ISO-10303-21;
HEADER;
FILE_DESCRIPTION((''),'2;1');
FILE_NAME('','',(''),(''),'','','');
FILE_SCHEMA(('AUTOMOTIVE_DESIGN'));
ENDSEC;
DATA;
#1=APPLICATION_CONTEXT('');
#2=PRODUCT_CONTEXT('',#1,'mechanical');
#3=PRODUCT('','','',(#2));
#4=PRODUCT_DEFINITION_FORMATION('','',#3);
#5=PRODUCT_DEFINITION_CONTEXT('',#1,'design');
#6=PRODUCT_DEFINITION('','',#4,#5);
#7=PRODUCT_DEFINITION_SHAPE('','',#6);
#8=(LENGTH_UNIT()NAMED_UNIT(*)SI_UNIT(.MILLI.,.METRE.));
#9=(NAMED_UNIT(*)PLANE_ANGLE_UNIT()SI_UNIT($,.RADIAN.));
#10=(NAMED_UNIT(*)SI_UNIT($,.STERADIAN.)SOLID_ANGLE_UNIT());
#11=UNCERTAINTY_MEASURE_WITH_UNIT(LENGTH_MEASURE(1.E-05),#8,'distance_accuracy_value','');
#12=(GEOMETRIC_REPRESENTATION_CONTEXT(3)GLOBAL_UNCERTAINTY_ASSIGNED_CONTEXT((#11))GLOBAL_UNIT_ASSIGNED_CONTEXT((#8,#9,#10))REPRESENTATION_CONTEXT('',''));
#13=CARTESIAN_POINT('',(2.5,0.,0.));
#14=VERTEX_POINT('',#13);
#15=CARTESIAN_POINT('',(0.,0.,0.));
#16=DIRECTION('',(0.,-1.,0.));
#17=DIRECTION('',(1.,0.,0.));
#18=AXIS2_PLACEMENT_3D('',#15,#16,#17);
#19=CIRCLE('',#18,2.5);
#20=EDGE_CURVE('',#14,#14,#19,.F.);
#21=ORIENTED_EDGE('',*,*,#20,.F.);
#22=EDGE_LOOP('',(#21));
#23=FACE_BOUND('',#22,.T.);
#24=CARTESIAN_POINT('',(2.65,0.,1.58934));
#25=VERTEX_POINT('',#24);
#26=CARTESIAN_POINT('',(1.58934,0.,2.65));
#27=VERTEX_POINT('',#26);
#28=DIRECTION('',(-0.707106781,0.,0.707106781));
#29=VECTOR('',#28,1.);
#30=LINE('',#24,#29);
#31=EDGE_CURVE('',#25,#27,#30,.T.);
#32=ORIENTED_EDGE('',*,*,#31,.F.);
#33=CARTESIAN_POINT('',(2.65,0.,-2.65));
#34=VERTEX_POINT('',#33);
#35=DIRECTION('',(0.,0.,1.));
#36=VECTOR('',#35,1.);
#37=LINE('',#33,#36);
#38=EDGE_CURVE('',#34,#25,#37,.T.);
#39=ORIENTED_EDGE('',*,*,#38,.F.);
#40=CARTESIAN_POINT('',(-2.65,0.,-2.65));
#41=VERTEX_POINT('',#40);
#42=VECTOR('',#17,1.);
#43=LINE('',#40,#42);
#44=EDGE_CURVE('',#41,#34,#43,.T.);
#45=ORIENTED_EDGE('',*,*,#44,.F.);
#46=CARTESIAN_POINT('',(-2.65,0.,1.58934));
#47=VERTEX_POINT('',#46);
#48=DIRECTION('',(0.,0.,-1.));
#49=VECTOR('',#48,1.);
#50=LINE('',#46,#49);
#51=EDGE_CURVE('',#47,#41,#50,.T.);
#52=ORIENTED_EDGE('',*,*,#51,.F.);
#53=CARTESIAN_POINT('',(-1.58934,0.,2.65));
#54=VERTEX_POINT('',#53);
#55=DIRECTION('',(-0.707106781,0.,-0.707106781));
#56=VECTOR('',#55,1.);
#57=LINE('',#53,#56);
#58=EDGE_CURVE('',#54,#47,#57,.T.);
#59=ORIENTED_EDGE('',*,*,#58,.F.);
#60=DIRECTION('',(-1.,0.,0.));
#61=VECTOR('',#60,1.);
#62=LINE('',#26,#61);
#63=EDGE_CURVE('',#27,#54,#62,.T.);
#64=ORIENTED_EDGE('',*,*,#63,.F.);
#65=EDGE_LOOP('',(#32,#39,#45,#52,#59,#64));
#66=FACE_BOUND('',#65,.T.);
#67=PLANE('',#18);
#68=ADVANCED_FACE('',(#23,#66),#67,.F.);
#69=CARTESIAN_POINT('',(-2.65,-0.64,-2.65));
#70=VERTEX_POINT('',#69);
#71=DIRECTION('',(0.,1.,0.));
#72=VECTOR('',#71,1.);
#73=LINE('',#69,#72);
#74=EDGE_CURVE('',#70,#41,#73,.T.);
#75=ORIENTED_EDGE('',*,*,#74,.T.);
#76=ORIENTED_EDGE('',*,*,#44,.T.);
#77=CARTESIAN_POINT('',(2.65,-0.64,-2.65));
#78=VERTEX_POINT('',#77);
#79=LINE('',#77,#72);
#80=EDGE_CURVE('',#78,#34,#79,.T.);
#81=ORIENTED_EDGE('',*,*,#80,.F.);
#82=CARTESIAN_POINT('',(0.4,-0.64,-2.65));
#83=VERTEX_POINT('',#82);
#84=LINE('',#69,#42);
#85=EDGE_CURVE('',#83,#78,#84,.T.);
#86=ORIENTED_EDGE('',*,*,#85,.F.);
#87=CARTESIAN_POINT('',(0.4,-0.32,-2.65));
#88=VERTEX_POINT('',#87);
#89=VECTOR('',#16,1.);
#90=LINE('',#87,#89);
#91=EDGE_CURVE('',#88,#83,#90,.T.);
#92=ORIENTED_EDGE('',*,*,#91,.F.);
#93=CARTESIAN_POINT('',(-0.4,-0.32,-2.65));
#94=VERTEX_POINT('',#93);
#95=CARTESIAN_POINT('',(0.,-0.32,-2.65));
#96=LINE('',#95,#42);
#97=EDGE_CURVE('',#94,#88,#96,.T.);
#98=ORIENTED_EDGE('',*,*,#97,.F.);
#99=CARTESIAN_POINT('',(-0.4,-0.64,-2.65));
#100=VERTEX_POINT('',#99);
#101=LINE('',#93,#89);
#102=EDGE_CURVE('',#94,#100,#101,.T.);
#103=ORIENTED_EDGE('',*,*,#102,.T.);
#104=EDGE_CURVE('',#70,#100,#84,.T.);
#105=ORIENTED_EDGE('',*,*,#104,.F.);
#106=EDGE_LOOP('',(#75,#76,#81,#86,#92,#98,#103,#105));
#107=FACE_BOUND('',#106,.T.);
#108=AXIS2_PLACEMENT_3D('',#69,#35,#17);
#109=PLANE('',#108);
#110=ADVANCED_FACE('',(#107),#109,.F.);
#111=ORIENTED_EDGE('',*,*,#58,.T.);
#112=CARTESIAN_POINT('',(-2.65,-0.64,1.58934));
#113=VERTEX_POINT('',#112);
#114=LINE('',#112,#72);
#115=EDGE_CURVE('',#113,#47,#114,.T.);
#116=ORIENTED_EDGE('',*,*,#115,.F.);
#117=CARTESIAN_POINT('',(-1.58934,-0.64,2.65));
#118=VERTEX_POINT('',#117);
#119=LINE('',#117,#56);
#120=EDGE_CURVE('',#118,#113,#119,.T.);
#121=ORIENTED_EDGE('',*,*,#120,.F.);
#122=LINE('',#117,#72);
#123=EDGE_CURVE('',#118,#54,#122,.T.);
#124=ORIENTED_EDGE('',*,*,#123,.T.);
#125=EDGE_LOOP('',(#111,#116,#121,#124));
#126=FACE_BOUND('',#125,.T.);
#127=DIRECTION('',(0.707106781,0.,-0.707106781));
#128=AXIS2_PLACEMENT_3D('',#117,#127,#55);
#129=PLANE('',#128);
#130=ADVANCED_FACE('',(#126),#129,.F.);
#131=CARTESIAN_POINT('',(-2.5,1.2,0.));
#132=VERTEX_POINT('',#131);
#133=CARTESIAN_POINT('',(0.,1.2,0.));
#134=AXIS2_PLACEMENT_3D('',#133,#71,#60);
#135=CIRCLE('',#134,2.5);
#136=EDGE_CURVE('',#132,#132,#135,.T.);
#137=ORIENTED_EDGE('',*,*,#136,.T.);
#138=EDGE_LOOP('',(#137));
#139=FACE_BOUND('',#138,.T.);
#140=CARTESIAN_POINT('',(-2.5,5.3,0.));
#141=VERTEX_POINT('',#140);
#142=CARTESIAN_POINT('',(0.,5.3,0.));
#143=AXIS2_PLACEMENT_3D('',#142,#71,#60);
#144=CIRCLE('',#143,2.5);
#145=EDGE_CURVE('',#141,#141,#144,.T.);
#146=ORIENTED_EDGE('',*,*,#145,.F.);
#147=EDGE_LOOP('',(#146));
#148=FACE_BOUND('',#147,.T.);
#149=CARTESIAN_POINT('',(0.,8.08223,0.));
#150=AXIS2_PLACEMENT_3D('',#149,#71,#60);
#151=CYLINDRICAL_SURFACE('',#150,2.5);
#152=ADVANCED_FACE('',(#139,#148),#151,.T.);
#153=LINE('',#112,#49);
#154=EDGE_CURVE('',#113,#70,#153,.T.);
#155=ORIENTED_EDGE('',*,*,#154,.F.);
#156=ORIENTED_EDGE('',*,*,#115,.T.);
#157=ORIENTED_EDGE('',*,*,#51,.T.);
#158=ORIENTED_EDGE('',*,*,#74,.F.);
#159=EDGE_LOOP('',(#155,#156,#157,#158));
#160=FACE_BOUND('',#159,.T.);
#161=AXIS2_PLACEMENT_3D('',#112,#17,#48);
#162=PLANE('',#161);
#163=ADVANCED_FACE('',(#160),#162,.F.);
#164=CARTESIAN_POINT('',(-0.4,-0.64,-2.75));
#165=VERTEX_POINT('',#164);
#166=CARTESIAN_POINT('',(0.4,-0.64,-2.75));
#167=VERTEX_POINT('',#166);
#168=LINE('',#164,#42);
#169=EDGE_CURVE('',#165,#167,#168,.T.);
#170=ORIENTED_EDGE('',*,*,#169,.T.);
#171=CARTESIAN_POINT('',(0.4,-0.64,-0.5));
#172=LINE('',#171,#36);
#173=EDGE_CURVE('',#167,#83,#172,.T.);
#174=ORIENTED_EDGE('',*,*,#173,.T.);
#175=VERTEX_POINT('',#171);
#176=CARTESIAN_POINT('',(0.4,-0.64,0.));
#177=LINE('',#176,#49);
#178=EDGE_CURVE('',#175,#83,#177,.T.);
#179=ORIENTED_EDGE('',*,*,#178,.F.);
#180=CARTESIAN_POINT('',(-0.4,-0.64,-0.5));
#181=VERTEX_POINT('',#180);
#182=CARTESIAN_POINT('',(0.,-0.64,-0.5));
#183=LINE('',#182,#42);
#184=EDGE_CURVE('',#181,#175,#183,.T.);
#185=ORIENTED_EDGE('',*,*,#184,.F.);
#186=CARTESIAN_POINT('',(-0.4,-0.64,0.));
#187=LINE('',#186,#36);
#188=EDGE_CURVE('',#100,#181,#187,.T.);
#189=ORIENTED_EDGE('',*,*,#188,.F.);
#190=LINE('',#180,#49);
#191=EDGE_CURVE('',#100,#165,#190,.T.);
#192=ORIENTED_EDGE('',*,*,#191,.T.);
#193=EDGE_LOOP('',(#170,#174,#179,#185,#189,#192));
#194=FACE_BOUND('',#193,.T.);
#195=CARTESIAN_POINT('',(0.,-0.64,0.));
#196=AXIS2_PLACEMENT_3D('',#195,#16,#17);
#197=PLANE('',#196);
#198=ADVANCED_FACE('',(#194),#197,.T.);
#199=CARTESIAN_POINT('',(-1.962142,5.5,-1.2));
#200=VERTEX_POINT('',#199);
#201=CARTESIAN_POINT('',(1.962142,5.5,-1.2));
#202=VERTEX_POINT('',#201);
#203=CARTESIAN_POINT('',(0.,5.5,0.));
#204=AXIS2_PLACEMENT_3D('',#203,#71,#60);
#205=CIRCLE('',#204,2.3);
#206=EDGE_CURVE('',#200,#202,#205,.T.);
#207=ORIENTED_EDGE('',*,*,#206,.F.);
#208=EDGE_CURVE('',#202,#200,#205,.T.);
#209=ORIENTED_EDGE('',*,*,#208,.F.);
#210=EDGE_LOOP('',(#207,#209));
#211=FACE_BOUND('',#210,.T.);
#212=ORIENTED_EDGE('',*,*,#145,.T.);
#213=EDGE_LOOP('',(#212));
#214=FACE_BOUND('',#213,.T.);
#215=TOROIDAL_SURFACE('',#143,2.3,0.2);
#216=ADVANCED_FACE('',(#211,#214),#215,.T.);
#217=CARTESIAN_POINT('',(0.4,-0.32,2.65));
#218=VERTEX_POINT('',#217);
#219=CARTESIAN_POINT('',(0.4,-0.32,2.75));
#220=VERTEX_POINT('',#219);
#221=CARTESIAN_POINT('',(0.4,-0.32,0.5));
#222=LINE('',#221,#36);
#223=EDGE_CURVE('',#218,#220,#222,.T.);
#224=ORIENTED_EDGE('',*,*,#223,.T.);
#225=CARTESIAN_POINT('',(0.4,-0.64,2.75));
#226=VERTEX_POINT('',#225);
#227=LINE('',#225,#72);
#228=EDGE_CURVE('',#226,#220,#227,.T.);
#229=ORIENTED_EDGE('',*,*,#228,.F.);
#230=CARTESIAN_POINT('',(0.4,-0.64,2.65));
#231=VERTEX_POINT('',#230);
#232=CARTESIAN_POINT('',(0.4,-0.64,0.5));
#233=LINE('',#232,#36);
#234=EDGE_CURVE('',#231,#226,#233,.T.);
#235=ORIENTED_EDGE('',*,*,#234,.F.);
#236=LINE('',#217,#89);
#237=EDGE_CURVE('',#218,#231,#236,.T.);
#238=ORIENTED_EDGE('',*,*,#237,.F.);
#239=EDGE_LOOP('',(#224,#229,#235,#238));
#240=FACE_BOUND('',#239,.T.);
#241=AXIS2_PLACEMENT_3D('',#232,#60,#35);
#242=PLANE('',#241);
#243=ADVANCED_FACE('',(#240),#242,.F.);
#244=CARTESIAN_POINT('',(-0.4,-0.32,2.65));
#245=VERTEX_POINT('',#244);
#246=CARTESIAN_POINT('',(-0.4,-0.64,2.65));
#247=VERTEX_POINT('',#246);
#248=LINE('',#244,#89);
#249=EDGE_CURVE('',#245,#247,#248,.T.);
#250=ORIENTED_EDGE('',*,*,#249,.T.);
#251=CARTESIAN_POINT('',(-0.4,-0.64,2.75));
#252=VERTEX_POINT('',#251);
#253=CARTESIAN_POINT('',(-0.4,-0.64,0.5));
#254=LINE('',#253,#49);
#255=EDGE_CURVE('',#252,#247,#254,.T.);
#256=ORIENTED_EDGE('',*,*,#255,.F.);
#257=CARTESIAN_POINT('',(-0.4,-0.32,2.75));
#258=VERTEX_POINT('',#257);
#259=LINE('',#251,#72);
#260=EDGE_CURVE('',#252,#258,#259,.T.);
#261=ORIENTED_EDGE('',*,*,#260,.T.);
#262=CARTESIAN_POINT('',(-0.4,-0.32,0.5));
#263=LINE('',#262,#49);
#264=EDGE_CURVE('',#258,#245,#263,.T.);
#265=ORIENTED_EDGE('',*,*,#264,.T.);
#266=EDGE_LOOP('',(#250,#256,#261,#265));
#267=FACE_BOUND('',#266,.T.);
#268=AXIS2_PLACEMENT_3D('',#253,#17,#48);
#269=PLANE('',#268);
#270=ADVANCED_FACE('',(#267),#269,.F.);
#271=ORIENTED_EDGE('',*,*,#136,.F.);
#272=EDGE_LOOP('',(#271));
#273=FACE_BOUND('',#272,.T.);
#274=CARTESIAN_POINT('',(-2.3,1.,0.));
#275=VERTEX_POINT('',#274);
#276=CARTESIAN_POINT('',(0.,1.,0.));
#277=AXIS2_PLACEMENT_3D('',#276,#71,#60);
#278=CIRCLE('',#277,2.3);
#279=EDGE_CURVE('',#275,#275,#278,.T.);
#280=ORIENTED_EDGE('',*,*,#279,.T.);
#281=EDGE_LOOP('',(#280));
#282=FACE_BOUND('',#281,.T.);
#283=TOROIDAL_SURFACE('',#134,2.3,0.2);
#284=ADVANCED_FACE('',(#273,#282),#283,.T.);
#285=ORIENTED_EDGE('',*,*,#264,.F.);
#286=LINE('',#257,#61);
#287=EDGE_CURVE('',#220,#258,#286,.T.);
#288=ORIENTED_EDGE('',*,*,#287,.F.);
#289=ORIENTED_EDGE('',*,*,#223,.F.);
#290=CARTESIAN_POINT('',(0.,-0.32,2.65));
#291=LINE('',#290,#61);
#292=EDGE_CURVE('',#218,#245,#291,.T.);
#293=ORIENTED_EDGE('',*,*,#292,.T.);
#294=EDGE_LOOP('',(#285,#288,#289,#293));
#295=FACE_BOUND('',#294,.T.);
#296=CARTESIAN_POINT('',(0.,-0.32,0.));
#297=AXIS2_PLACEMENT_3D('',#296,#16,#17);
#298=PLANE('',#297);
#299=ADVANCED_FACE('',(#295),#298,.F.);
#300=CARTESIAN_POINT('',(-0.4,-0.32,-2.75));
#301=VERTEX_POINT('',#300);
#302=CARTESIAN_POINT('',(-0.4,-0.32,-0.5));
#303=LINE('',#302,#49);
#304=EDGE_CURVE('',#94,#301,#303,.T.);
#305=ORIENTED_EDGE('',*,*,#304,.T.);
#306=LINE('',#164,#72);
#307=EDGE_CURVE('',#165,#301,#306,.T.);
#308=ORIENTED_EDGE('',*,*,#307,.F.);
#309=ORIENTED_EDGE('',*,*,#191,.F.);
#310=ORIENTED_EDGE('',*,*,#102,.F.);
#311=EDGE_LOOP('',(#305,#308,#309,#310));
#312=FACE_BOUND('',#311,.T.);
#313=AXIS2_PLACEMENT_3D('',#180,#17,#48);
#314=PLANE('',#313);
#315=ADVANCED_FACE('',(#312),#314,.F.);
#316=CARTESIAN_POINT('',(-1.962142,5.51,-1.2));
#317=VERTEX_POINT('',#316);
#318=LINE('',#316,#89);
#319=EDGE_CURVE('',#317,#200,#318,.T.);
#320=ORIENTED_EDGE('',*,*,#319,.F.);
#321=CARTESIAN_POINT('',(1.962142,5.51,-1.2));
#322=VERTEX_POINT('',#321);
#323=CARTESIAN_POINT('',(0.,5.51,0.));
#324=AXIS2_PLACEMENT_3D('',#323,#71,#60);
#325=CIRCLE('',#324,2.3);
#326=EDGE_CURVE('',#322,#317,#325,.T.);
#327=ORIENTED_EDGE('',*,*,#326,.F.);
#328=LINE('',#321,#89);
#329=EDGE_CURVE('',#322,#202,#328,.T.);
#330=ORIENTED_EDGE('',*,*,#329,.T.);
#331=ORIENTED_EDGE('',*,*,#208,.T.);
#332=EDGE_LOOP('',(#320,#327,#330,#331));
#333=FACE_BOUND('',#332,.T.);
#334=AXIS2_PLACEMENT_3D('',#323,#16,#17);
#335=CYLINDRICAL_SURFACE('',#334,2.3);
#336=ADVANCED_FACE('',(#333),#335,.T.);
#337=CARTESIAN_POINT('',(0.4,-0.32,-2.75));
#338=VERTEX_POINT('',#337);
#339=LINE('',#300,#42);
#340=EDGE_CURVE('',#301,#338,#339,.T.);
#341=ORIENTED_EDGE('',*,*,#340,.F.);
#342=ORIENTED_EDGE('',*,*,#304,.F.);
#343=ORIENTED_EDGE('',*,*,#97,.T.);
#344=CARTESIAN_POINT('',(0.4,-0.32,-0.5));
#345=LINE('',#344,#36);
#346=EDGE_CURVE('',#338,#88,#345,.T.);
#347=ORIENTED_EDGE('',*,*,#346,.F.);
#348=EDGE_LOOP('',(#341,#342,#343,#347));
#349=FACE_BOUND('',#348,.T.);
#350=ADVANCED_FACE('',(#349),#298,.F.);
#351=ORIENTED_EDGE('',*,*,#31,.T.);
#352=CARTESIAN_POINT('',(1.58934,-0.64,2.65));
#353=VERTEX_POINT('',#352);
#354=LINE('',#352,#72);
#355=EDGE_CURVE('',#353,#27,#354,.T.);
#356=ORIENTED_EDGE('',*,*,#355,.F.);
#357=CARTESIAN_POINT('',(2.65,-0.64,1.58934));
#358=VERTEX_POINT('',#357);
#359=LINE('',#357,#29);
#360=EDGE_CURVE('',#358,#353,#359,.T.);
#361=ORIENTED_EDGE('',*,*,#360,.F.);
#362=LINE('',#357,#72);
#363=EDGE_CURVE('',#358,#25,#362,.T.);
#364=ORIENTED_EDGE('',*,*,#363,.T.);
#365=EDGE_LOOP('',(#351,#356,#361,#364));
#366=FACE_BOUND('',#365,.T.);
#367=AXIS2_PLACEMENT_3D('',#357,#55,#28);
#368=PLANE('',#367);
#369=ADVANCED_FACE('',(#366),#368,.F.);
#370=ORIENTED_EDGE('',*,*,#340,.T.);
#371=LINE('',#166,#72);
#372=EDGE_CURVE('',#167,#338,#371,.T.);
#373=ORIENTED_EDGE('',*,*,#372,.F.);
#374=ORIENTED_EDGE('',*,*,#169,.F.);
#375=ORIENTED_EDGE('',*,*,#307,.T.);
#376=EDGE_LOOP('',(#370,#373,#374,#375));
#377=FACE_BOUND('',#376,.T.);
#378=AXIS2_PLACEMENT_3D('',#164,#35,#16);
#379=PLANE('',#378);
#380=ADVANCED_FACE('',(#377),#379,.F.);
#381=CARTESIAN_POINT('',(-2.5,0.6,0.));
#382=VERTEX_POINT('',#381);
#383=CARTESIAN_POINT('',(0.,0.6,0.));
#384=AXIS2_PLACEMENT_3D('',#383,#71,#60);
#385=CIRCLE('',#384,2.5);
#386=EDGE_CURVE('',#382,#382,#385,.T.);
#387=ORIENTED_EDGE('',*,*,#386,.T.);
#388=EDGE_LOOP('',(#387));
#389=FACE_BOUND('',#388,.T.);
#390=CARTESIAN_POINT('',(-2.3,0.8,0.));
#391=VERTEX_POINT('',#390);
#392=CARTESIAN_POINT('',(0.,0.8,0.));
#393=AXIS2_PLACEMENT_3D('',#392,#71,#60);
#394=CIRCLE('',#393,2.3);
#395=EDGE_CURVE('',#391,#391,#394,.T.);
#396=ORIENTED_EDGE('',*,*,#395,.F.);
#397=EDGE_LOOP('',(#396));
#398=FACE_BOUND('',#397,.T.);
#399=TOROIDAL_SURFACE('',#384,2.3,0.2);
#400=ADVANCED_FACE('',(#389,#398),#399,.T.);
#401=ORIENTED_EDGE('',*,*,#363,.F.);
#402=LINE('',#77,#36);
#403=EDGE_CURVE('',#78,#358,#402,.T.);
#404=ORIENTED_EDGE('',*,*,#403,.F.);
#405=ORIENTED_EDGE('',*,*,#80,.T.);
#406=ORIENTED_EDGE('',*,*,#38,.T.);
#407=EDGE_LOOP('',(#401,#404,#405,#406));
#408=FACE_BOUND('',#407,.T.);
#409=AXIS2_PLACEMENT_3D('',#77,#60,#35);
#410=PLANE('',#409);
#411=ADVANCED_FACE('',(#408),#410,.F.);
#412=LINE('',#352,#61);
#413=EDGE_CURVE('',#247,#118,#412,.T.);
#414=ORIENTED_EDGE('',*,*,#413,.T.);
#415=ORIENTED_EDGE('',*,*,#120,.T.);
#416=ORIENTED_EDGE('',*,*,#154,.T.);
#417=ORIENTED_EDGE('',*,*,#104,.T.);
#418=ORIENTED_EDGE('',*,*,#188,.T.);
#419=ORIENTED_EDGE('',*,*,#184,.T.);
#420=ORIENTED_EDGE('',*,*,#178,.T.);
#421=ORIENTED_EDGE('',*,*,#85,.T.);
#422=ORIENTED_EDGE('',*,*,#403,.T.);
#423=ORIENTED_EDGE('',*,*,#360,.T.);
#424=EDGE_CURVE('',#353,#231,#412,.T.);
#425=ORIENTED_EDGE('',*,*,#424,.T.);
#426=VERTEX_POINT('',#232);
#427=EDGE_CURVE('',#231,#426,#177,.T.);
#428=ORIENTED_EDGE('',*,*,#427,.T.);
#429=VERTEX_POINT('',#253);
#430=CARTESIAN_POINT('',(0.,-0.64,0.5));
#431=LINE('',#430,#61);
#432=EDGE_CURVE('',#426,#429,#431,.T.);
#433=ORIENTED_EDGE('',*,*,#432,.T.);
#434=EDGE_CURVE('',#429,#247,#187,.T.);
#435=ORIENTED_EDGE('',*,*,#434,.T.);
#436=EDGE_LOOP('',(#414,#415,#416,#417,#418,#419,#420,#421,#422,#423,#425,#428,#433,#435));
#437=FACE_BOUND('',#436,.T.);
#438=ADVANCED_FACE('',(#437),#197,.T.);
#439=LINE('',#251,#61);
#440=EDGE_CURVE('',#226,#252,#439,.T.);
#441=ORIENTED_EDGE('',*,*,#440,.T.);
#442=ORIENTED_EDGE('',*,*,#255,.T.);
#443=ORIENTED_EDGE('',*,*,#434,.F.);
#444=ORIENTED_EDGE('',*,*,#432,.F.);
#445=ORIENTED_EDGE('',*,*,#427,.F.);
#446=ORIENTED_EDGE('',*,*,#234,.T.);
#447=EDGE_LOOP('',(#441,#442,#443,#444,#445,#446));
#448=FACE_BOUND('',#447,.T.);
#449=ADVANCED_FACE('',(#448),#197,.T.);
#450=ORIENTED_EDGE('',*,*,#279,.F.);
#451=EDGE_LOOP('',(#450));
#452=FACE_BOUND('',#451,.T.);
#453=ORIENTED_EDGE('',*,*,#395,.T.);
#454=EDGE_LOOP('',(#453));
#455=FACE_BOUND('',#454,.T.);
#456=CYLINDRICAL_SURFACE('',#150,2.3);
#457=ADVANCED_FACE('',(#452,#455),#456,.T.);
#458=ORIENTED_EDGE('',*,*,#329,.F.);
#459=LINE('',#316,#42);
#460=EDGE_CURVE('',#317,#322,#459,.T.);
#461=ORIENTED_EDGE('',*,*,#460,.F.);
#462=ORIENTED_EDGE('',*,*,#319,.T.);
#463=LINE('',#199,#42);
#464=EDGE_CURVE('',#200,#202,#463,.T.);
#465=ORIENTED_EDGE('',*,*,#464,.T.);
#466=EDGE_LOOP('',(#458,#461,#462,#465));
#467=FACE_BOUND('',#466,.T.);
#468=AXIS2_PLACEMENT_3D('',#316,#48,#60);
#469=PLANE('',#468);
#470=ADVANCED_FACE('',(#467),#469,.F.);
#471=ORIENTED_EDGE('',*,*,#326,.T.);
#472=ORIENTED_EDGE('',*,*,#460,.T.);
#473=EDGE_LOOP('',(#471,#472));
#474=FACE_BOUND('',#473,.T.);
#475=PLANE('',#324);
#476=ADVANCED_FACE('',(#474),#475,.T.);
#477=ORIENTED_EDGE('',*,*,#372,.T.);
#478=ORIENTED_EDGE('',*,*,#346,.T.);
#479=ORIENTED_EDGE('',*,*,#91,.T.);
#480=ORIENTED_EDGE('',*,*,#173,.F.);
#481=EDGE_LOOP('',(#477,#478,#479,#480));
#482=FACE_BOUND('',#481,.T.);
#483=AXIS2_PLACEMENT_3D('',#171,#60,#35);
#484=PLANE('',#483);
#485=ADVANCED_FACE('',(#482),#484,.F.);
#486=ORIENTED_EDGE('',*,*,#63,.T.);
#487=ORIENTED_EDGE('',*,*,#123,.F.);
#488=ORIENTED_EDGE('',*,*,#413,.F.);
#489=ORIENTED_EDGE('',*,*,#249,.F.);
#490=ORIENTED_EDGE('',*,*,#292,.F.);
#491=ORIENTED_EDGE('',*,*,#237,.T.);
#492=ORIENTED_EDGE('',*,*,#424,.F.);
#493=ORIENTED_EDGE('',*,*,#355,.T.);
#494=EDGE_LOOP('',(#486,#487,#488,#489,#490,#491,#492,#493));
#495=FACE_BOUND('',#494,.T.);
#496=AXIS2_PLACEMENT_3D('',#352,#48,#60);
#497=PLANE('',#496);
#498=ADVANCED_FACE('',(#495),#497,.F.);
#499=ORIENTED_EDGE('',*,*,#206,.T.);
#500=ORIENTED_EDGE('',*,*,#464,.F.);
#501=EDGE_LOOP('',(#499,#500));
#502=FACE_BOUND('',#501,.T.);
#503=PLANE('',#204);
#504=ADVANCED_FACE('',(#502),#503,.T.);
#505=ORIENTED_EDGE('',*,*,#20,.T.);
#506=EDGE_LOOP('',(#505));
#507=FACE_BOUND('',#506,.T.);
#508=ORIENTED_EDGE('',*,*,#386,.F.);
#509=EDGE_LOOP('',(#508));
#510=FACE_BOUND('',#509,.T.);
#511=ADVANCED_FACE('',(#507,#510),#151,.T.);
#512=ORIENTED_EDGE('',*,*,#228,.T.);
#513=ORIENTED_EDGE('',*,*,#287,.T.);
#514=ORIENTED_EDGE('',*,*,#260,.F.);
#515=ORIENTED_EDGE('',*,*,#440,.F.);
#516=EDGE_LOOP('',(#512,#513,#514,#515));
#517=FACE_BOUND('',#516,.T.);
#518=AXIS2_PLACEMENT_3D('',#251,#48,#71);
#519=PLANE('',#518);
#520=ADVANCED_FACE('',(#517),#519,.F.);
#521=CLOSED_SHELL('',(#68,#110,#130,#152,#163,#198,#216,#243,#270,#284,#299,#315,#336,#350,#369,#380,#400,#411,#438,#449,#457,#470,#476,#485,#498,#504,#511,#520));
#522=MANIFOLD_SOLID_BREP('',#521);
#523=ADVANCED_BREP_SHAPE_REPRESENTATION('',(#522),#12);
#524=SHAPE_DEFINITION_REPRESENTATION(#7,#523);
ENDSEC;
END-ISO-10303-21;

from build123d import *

# Parameters (mm, degrees)
BOSS_EXTRUDE1_DEPTH = 0.01
BOSS_EXTRUDE2_DEPTH = 0.64
CUT_EXTRUDE1_START  = 0.64
CUT_EXTRUDE1_DEPTH  = 0.32
SKETCH4_W           = 0.8
SKETCH4_H           = 2.25
BOSS_EXTRUDE3_DEPTH = 0.32


with BuildPart() as part:
    # Sketch1 → Revolve1 (revolve)
    with BuildSketch(Plane.XY):
        with BuildLine():
            Line((0, 5.5), (-2.3, 5.5))
            ThreePointArc((-2.3, 5.5), (-2.441421356, 5.441421356), (-2.5, 5.3))
            Line((-2.5, 5.3), (-2.5, 1.2))
            ThreePointArc((-2.5, 1.2), (-2.441421356, 1.058578644), (-2.3, 1))
            Line((-2.3, 1), (-2.3, 0.8))
            ThreePointArc((-2.3, 0.8), (-2.441421356, 0.741421356), (-2.5, 0.6))
            Line((-2.5, 0.6), (-2.5, 0))
            Line((-2.5, 0), (0, 0))
            Line((0, 0), (0, 5.5))
        make_face()
    revolve(axis=Axis((0, 8.082229881, 0), (0, -1, 0)))

    # Sketch2 → Boss-Extrude1 (add)
    with BuildSketch(Plane(origin=(0, 5.5, 0), x_dir=(1, 0, 0), z_dir=(0, 1, 0))):
        with BuildLine():
            Line((-1.962141687, 1.2), (1.962141687, 1.2))
            ThreePointArc((1.962141687, 1.2), (0, 2.3), (-1.962141687, 1.2))
        make_face()
    extrude(amount=BOSS_EXTRUDE1_DEPTH)

    # Sketch3 → Boss-Extrude2 (add)
    with BuildSketch(Plane(origin=(0, 0, 0), x_dir=(-1, 0, 0), z_dir=(0, -1, 0))):
        Polygon((1.589339828, -2.65), (2.65, -1.589339828), (2.65, 2.65), (-2.65, 2.65), (-2.65, -1.589339828), (-1.589339828, -2.65), align=None)
    extrude(amount=BOSS_EXTRUDE2_DEPTH)

    # Sketch3<3> → Cut-Extrude1 (cut)
    with BuildSketch(Plane(origin=(0, 0, 0), x_dir=(-1, 0, 0), z_dir=(0, -1, 0)).offset(CUT_EXTRUDE1_START)):
        with BuildLine():
            Line((0.4, 0.5), (0.4, 2.467792536))
            ThreePointArc((0.4, 2.467792536), (0, 2.5), (-0.4, 2.467792536))
            Line((-0.4, 2.467792536), (-0.4, 0.5))
            Line((-0.4, 0.5), (0.4, 0.5))
        make_face()
        with BuildLine():
            ThreePointArc((-0.4, -2.467792536), (0, -2.5), (0.4, -2.467792536))
            Line((0.4, -2.467792536), (0.4, -0.5))
            Line((0.4, -0.5), (-0.4, -0.5))
            Line((-0.4, -0.5), (-0.4, -2.467792536))
        make_face()
        with BuildLine():
            Line((0.4, 2.467792536), (0.4, 2.65))
            Line((0.4, 2.65), (-0.4, 2.65))
            Line((-0.4, 2.65), (-0.4, 2.467792536))
            ThreePointArc((-0.4, 2.467792536), (0, 2.5), (0.4, 2.467792536))
        make_face()
        with BuildLine():
            Line((-0.4, -2.65), (0.4, -2.65))
            Line((0.4, -2.65), (0.4, -2.467792536))
            ThreePointArc((0.4, -2.467792536), (0, -2.5), (-0.4, -2.467792536))
            Line((-0.4, -2.467792536), (-0.4, -2.65))
        make_face()
    extrude(amount=-CUT_EXTRUDE1_DEPTH, mode=Mode.SUBTRACT)

    # Sketch4 → Boss-Extrude3 (add)
    with BuildSketch(Plane.XZ.offset(0.32)):
        with Locations((0, -1.625)):
            Rectangle(SKETCH4_W, SKETCH4_H)
        with Locations((0, 1.625)):
            Rectangle(SKETCH4_W, SKETCH4_H)
    extrude(amount=BOSS_EXTRUDE3_DEPTH)


solid = part.part
